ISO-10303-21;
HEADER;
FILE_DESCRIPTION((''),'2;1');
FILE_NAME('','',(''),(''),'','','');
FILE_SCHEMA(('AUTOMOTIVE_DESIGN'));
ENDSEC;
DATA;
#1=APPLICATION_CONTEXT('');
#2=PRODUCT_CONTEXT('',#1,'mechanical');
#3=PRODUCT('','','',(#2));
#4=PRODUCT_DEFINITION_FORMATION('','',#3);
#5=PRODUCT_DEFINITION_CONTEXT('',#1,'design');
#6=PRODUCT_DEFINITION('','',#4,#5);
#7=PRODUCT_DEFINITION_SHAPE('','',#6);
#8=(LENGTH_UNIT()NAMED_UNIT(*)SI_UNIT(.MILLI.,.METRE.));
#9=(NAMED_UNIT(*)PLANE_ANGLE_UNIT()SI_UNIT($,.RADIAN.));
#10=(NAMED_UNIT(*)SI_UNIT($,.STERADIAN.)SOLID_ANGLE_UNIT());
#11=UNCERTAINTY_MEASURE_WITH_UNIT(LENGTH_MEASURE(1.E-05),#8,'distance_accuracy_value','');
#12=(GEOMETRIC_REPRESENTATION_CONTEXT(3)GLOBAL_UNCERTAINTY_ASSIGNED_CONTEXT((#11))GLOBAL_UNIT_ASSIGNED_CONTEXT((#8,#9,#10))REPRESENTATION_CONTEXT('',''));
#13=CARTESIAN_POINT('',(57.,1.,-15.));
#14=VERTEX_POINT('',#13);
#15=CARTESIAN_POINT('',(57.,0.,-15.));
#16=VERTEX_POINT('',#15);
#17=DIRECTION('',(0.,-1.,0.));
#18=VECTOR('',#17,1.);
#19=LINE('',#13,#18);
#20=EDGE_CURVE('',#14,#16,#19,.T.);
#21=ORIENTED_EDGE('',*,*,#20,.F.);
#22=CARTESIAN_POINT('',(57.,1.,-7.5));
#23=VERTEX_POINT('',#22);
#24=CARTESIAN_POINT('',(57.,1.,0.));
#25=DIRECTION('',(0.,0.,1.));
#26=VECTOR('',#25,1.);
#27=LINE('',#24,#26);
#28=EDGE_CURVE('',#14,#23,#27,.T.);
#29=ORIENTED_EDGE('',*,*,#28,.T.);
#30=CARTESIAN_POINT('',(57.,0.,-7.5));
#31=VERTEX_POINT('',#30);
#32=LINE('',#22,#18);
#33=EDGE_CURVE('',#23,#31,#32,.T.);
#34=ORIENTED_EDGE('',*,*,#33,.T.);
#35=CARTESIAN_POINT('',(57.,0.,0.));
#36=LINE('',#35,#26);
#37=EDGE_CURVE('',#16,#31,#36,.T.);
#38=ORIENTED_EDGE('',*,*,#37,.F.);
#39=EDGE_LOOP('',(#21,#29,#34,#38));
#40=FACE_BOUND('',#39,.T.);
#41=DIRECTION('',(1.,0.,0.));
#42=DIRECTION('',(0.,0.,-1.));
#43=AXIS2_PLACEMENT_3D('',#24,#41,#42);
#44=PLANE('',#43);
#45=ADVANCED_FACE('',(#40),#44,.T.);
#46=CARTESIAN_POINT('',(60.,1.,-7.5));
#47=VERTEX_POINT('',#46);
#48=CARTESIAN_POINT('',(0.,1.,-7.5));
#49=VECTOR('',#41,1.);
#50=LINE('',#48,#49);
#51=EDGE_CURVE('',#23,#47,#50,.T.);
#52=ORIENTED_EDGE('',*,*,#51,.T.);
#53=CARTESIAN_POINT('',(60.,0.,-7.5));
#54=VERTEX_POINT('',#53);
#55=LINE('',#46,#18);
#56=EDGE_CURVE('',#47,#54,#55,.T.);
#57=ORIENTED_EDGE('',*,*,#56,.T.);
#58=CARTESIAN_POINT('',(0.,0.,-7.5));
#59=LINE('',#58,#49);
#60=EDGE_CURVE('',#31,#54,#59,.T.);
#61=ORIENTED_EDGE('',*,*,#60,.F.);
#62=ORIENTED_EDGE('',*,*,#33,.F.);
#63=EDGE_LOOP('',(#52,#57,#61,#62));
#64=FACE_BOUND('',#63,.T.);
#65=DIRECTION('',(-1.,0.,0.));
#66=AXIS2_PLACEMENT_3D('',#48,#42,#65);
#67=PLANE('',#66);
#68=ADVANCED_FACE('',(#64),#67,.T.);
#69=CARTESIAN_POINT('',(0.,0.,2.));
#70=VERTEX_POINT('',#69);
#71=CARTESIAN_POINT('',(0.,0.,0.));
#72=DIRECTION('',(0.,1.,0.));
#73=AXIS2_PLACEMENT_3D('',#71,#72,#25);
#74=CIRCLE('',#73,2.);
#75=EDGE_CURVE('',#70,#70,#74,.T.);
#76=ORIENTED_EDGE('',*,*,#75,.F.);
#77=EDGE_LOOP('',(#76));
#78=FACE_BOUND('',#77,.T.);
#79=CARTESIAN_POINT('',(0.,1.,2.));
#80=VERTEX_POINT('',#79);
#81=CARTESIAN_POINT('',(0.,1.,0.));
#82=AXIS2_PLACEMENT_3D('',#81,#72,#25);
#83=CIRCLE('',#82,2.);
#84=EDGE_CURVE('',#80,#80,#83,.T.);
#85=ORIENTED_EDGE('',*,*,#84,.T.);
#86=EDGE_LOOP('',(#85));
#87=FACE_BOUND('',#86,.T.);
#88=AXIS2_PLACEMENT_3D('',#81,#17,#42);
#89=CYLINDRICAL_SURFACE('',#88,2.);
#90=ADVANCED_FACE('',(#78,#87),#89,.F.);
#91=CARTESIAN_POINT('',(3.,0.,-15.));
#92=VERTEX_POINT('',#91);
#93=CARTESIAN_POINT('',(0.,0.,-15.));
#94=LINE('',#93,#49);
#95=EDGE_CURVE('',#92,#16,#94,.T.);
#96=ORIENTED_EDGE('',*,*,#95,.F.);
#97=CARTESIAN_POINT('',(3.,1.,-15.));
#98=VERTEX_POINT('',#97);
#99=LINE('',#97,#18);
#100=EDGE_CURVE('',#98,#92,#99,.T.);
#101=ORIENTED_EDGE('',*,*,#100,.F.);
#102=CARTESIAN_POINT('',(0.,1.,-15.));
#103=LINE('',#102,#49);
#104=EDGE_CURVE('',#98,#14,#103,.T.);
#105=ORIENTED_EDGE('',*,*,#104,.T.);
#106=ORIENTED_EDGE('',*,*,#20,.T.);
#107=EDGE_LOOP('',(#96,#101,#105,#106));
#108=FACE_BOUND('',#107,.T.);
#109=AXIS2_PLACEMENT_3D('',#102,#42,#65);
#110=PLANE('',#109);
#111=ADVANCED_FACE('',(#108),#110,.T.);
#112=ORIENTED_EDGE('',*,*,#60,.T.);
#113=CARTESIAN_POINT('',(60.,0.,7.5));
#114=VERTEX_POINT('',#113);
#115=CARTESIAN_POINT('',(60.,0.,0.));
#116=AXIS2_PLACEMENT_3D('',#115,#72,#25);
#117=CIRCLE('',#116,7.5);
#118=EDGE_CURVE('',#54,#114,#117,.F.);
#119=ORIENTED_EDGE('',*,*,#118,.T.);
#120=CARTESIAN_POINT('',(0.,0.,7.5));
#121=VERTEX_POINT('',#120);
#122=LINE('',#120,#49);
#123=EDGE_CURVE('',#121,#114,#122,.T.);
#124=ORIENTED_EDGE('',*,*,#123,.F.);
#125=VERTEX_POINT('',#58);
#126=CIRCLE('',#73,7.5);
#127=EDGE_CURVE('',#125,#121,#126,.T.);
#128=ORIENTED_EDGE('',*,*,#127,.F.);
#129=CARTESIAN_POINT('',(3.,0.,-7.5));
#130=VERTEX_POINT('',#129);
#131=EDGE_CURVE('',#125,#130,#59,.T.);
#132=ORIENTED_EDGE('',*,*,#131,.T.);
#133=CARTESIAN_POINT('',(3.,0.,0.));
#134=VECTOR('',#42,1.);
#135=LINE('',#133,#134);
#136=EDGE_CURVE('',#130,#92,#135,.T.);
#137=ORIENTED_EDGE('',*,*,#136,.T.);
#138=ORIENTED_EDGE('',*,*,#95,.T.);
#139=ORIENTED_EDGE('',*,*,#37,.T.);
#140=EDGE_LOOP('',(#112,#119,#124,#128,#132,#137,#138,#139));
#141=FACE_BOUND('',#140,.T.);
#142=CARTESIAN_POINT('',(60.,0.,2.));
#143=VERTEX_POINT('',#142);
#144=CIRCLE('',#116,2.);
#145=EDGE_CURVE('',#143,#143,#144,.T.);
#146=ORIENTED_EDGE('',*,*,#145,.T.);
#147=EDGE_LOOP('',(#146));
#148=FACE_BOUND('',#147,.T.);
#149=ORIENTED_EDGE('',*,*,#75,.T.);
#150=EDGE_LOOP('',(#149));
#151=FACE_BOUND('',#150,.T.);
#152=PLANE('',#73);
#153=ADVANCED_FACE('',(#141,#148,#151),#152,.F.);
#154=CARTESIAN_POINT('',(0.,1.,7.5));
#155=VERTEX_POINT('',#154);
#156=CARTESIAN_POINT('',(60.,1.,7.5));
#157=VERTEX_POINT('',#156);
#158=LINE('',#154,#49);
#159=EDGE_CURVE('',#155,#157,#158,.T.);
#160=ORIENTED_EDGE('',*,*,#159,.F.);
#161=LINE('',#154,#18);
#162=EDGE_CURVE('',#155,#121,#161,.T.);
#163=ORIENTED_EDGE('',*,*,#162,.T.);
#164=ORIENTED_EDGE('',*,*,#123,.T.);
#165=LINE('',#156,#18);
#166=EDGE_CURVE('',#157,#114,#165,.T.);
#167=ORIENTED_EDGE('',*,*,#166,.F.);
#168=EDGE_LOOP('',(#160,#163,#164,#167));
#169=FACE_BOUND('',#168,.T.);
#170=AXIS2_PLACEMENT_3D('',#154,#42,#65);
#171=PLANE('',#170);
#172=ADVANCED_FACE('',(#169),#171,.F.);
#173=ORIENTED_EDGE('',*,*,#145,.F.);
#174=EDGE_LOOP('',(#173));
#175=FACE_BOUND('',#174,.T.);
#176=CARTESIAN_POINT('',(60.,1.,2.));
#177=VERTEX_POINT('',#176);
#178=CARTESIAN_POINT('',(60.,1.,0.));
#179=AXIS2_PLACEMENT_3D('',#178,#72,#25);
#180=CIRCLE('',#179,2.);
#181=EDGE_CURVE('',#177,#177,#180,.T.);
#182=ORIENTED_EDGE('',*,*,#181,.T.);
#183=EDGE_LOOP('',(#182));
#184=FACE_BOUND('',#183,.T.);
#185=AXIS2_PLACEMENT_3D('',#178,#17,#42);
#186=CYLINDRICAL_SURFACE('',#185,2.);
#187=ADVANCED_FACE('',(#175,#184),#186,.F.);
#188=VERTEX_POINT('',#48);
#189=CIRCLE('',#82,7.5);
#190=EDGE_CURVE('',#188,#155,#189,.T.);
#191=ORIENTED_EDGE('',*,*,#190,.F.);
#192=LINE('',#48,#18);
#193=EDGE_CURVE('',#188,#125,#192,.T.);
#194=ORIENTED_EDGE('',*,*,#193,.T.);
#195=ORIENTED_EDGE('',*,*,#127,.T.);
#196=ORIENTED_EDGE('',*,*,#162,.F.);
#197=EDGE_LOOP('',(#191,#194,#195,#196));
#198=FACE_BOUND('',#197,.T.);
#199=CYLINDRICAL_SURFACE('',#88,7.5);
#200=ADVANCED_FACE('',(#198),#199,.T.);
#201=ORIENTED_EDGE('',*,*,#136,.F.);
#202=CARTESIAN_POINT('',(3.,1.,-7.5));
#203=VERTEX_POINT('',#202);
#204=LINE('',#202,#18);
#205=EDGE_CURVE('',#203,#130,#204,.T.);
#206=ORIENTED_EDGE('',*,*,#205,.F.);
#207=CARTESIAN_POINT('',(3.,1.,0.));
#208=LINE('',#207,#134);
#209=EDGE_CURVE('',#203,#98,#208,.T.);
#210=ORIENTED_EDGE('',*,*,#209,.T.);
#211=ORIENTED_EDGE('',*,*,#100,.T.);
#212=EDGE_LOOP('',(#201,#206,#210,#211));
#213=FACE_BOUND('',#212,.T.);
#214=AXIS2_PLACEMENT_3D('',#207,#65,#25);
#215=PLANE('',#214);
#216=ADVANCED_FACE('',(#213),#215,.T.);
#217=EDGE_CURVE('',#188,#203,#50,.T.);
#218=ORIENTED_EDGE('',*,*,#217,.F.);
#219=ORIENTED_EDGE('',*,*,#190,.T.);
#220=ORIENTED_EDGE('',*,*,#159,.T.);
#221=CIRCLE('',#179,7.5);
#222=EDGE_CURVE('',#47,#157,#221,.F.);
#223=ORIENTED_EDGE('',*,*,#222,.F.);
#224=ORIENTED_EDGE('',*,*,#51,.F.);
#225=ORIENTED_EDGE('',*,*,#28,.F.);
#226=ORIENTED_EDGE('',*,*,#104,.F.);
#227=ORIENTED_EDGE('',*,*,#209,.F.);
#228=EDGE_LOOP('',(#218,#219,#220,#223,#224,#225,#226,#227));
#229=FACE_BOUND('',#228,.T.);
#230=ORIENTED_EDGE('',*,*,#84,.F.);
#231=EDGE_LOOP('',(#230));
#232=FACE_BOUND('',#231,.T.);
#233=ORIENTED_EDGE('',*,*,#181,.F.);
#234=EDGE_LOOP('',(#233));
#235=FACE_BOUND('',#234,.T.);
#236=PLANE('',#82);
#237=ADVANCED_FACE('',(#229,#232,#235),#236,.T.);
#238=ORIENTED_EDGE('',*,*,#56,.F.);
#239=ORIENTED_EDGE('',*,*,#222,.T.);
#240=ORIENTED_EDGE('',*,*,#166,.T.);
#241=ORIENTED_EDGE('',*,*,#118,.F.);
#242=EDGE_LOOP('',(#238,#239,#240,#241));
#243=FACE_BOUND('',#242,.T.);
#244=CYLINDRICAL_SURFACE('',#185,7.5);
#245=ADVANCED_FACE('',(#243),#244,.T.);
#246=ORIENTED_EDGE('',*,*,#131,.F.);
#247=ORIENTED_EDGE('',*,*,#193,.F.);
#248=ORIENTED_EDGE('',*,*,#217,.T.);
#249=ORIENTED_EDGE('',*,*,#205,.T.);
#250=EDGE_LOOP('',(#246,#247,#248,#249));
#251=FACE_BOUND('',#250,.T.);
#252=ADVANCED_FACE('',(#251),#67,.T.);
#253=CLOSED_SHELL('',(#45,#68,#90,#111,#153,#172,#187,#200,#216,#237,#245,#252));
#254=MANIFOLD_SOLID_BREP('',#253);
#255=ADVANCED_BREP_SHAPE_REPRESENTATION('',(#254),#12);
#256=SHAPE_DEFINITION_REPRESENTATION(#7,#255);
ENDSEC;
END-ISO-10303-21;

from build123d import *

# Parameters (mm, degrees)
SKETCH1_R           = 2
BOSS_EXTRUDE1_DEPTH = 1


with BuildPart() as part:
    # Sketch1 → Boss-Extrude1 (new body)
    with BuildSketch(Plane(origin=(0, 0, 0), x_dir=(1, 0, 0), z_dir=(0, 1, 0))):
        with BuildLine():
            ThreePointArc((60, 7.5), (67.5, 0), (60, -7.5))
            Line((60, -7.5), (0, -7.5))
            ThreePointArc((0, -7.5), (-7.5, 0), (0, 7.5))
            Line((0, 7.5), (3, 7.5))
            Line((3, 7.5), (3, 15))
            Line((3, 15), (57, 15))
            Line((57, 15), (57, 7.5))
            Line((57, 7.5), (60, 7.5))
        make_face()
        with Locations(Location((60, 0, 0), (0, 0, 270))):
            Circle(SKETCH1_R, mode=Mode.SUBTRACT)
        with Locations(Location((0, 0, 0), (0, 0, 270))):
            Circle(SKETCH1_R, mode=Mode.SUBTRACT)
    extrude(amount=BOSS_EXTRUDE1_DEPTH)


solid = part.part
